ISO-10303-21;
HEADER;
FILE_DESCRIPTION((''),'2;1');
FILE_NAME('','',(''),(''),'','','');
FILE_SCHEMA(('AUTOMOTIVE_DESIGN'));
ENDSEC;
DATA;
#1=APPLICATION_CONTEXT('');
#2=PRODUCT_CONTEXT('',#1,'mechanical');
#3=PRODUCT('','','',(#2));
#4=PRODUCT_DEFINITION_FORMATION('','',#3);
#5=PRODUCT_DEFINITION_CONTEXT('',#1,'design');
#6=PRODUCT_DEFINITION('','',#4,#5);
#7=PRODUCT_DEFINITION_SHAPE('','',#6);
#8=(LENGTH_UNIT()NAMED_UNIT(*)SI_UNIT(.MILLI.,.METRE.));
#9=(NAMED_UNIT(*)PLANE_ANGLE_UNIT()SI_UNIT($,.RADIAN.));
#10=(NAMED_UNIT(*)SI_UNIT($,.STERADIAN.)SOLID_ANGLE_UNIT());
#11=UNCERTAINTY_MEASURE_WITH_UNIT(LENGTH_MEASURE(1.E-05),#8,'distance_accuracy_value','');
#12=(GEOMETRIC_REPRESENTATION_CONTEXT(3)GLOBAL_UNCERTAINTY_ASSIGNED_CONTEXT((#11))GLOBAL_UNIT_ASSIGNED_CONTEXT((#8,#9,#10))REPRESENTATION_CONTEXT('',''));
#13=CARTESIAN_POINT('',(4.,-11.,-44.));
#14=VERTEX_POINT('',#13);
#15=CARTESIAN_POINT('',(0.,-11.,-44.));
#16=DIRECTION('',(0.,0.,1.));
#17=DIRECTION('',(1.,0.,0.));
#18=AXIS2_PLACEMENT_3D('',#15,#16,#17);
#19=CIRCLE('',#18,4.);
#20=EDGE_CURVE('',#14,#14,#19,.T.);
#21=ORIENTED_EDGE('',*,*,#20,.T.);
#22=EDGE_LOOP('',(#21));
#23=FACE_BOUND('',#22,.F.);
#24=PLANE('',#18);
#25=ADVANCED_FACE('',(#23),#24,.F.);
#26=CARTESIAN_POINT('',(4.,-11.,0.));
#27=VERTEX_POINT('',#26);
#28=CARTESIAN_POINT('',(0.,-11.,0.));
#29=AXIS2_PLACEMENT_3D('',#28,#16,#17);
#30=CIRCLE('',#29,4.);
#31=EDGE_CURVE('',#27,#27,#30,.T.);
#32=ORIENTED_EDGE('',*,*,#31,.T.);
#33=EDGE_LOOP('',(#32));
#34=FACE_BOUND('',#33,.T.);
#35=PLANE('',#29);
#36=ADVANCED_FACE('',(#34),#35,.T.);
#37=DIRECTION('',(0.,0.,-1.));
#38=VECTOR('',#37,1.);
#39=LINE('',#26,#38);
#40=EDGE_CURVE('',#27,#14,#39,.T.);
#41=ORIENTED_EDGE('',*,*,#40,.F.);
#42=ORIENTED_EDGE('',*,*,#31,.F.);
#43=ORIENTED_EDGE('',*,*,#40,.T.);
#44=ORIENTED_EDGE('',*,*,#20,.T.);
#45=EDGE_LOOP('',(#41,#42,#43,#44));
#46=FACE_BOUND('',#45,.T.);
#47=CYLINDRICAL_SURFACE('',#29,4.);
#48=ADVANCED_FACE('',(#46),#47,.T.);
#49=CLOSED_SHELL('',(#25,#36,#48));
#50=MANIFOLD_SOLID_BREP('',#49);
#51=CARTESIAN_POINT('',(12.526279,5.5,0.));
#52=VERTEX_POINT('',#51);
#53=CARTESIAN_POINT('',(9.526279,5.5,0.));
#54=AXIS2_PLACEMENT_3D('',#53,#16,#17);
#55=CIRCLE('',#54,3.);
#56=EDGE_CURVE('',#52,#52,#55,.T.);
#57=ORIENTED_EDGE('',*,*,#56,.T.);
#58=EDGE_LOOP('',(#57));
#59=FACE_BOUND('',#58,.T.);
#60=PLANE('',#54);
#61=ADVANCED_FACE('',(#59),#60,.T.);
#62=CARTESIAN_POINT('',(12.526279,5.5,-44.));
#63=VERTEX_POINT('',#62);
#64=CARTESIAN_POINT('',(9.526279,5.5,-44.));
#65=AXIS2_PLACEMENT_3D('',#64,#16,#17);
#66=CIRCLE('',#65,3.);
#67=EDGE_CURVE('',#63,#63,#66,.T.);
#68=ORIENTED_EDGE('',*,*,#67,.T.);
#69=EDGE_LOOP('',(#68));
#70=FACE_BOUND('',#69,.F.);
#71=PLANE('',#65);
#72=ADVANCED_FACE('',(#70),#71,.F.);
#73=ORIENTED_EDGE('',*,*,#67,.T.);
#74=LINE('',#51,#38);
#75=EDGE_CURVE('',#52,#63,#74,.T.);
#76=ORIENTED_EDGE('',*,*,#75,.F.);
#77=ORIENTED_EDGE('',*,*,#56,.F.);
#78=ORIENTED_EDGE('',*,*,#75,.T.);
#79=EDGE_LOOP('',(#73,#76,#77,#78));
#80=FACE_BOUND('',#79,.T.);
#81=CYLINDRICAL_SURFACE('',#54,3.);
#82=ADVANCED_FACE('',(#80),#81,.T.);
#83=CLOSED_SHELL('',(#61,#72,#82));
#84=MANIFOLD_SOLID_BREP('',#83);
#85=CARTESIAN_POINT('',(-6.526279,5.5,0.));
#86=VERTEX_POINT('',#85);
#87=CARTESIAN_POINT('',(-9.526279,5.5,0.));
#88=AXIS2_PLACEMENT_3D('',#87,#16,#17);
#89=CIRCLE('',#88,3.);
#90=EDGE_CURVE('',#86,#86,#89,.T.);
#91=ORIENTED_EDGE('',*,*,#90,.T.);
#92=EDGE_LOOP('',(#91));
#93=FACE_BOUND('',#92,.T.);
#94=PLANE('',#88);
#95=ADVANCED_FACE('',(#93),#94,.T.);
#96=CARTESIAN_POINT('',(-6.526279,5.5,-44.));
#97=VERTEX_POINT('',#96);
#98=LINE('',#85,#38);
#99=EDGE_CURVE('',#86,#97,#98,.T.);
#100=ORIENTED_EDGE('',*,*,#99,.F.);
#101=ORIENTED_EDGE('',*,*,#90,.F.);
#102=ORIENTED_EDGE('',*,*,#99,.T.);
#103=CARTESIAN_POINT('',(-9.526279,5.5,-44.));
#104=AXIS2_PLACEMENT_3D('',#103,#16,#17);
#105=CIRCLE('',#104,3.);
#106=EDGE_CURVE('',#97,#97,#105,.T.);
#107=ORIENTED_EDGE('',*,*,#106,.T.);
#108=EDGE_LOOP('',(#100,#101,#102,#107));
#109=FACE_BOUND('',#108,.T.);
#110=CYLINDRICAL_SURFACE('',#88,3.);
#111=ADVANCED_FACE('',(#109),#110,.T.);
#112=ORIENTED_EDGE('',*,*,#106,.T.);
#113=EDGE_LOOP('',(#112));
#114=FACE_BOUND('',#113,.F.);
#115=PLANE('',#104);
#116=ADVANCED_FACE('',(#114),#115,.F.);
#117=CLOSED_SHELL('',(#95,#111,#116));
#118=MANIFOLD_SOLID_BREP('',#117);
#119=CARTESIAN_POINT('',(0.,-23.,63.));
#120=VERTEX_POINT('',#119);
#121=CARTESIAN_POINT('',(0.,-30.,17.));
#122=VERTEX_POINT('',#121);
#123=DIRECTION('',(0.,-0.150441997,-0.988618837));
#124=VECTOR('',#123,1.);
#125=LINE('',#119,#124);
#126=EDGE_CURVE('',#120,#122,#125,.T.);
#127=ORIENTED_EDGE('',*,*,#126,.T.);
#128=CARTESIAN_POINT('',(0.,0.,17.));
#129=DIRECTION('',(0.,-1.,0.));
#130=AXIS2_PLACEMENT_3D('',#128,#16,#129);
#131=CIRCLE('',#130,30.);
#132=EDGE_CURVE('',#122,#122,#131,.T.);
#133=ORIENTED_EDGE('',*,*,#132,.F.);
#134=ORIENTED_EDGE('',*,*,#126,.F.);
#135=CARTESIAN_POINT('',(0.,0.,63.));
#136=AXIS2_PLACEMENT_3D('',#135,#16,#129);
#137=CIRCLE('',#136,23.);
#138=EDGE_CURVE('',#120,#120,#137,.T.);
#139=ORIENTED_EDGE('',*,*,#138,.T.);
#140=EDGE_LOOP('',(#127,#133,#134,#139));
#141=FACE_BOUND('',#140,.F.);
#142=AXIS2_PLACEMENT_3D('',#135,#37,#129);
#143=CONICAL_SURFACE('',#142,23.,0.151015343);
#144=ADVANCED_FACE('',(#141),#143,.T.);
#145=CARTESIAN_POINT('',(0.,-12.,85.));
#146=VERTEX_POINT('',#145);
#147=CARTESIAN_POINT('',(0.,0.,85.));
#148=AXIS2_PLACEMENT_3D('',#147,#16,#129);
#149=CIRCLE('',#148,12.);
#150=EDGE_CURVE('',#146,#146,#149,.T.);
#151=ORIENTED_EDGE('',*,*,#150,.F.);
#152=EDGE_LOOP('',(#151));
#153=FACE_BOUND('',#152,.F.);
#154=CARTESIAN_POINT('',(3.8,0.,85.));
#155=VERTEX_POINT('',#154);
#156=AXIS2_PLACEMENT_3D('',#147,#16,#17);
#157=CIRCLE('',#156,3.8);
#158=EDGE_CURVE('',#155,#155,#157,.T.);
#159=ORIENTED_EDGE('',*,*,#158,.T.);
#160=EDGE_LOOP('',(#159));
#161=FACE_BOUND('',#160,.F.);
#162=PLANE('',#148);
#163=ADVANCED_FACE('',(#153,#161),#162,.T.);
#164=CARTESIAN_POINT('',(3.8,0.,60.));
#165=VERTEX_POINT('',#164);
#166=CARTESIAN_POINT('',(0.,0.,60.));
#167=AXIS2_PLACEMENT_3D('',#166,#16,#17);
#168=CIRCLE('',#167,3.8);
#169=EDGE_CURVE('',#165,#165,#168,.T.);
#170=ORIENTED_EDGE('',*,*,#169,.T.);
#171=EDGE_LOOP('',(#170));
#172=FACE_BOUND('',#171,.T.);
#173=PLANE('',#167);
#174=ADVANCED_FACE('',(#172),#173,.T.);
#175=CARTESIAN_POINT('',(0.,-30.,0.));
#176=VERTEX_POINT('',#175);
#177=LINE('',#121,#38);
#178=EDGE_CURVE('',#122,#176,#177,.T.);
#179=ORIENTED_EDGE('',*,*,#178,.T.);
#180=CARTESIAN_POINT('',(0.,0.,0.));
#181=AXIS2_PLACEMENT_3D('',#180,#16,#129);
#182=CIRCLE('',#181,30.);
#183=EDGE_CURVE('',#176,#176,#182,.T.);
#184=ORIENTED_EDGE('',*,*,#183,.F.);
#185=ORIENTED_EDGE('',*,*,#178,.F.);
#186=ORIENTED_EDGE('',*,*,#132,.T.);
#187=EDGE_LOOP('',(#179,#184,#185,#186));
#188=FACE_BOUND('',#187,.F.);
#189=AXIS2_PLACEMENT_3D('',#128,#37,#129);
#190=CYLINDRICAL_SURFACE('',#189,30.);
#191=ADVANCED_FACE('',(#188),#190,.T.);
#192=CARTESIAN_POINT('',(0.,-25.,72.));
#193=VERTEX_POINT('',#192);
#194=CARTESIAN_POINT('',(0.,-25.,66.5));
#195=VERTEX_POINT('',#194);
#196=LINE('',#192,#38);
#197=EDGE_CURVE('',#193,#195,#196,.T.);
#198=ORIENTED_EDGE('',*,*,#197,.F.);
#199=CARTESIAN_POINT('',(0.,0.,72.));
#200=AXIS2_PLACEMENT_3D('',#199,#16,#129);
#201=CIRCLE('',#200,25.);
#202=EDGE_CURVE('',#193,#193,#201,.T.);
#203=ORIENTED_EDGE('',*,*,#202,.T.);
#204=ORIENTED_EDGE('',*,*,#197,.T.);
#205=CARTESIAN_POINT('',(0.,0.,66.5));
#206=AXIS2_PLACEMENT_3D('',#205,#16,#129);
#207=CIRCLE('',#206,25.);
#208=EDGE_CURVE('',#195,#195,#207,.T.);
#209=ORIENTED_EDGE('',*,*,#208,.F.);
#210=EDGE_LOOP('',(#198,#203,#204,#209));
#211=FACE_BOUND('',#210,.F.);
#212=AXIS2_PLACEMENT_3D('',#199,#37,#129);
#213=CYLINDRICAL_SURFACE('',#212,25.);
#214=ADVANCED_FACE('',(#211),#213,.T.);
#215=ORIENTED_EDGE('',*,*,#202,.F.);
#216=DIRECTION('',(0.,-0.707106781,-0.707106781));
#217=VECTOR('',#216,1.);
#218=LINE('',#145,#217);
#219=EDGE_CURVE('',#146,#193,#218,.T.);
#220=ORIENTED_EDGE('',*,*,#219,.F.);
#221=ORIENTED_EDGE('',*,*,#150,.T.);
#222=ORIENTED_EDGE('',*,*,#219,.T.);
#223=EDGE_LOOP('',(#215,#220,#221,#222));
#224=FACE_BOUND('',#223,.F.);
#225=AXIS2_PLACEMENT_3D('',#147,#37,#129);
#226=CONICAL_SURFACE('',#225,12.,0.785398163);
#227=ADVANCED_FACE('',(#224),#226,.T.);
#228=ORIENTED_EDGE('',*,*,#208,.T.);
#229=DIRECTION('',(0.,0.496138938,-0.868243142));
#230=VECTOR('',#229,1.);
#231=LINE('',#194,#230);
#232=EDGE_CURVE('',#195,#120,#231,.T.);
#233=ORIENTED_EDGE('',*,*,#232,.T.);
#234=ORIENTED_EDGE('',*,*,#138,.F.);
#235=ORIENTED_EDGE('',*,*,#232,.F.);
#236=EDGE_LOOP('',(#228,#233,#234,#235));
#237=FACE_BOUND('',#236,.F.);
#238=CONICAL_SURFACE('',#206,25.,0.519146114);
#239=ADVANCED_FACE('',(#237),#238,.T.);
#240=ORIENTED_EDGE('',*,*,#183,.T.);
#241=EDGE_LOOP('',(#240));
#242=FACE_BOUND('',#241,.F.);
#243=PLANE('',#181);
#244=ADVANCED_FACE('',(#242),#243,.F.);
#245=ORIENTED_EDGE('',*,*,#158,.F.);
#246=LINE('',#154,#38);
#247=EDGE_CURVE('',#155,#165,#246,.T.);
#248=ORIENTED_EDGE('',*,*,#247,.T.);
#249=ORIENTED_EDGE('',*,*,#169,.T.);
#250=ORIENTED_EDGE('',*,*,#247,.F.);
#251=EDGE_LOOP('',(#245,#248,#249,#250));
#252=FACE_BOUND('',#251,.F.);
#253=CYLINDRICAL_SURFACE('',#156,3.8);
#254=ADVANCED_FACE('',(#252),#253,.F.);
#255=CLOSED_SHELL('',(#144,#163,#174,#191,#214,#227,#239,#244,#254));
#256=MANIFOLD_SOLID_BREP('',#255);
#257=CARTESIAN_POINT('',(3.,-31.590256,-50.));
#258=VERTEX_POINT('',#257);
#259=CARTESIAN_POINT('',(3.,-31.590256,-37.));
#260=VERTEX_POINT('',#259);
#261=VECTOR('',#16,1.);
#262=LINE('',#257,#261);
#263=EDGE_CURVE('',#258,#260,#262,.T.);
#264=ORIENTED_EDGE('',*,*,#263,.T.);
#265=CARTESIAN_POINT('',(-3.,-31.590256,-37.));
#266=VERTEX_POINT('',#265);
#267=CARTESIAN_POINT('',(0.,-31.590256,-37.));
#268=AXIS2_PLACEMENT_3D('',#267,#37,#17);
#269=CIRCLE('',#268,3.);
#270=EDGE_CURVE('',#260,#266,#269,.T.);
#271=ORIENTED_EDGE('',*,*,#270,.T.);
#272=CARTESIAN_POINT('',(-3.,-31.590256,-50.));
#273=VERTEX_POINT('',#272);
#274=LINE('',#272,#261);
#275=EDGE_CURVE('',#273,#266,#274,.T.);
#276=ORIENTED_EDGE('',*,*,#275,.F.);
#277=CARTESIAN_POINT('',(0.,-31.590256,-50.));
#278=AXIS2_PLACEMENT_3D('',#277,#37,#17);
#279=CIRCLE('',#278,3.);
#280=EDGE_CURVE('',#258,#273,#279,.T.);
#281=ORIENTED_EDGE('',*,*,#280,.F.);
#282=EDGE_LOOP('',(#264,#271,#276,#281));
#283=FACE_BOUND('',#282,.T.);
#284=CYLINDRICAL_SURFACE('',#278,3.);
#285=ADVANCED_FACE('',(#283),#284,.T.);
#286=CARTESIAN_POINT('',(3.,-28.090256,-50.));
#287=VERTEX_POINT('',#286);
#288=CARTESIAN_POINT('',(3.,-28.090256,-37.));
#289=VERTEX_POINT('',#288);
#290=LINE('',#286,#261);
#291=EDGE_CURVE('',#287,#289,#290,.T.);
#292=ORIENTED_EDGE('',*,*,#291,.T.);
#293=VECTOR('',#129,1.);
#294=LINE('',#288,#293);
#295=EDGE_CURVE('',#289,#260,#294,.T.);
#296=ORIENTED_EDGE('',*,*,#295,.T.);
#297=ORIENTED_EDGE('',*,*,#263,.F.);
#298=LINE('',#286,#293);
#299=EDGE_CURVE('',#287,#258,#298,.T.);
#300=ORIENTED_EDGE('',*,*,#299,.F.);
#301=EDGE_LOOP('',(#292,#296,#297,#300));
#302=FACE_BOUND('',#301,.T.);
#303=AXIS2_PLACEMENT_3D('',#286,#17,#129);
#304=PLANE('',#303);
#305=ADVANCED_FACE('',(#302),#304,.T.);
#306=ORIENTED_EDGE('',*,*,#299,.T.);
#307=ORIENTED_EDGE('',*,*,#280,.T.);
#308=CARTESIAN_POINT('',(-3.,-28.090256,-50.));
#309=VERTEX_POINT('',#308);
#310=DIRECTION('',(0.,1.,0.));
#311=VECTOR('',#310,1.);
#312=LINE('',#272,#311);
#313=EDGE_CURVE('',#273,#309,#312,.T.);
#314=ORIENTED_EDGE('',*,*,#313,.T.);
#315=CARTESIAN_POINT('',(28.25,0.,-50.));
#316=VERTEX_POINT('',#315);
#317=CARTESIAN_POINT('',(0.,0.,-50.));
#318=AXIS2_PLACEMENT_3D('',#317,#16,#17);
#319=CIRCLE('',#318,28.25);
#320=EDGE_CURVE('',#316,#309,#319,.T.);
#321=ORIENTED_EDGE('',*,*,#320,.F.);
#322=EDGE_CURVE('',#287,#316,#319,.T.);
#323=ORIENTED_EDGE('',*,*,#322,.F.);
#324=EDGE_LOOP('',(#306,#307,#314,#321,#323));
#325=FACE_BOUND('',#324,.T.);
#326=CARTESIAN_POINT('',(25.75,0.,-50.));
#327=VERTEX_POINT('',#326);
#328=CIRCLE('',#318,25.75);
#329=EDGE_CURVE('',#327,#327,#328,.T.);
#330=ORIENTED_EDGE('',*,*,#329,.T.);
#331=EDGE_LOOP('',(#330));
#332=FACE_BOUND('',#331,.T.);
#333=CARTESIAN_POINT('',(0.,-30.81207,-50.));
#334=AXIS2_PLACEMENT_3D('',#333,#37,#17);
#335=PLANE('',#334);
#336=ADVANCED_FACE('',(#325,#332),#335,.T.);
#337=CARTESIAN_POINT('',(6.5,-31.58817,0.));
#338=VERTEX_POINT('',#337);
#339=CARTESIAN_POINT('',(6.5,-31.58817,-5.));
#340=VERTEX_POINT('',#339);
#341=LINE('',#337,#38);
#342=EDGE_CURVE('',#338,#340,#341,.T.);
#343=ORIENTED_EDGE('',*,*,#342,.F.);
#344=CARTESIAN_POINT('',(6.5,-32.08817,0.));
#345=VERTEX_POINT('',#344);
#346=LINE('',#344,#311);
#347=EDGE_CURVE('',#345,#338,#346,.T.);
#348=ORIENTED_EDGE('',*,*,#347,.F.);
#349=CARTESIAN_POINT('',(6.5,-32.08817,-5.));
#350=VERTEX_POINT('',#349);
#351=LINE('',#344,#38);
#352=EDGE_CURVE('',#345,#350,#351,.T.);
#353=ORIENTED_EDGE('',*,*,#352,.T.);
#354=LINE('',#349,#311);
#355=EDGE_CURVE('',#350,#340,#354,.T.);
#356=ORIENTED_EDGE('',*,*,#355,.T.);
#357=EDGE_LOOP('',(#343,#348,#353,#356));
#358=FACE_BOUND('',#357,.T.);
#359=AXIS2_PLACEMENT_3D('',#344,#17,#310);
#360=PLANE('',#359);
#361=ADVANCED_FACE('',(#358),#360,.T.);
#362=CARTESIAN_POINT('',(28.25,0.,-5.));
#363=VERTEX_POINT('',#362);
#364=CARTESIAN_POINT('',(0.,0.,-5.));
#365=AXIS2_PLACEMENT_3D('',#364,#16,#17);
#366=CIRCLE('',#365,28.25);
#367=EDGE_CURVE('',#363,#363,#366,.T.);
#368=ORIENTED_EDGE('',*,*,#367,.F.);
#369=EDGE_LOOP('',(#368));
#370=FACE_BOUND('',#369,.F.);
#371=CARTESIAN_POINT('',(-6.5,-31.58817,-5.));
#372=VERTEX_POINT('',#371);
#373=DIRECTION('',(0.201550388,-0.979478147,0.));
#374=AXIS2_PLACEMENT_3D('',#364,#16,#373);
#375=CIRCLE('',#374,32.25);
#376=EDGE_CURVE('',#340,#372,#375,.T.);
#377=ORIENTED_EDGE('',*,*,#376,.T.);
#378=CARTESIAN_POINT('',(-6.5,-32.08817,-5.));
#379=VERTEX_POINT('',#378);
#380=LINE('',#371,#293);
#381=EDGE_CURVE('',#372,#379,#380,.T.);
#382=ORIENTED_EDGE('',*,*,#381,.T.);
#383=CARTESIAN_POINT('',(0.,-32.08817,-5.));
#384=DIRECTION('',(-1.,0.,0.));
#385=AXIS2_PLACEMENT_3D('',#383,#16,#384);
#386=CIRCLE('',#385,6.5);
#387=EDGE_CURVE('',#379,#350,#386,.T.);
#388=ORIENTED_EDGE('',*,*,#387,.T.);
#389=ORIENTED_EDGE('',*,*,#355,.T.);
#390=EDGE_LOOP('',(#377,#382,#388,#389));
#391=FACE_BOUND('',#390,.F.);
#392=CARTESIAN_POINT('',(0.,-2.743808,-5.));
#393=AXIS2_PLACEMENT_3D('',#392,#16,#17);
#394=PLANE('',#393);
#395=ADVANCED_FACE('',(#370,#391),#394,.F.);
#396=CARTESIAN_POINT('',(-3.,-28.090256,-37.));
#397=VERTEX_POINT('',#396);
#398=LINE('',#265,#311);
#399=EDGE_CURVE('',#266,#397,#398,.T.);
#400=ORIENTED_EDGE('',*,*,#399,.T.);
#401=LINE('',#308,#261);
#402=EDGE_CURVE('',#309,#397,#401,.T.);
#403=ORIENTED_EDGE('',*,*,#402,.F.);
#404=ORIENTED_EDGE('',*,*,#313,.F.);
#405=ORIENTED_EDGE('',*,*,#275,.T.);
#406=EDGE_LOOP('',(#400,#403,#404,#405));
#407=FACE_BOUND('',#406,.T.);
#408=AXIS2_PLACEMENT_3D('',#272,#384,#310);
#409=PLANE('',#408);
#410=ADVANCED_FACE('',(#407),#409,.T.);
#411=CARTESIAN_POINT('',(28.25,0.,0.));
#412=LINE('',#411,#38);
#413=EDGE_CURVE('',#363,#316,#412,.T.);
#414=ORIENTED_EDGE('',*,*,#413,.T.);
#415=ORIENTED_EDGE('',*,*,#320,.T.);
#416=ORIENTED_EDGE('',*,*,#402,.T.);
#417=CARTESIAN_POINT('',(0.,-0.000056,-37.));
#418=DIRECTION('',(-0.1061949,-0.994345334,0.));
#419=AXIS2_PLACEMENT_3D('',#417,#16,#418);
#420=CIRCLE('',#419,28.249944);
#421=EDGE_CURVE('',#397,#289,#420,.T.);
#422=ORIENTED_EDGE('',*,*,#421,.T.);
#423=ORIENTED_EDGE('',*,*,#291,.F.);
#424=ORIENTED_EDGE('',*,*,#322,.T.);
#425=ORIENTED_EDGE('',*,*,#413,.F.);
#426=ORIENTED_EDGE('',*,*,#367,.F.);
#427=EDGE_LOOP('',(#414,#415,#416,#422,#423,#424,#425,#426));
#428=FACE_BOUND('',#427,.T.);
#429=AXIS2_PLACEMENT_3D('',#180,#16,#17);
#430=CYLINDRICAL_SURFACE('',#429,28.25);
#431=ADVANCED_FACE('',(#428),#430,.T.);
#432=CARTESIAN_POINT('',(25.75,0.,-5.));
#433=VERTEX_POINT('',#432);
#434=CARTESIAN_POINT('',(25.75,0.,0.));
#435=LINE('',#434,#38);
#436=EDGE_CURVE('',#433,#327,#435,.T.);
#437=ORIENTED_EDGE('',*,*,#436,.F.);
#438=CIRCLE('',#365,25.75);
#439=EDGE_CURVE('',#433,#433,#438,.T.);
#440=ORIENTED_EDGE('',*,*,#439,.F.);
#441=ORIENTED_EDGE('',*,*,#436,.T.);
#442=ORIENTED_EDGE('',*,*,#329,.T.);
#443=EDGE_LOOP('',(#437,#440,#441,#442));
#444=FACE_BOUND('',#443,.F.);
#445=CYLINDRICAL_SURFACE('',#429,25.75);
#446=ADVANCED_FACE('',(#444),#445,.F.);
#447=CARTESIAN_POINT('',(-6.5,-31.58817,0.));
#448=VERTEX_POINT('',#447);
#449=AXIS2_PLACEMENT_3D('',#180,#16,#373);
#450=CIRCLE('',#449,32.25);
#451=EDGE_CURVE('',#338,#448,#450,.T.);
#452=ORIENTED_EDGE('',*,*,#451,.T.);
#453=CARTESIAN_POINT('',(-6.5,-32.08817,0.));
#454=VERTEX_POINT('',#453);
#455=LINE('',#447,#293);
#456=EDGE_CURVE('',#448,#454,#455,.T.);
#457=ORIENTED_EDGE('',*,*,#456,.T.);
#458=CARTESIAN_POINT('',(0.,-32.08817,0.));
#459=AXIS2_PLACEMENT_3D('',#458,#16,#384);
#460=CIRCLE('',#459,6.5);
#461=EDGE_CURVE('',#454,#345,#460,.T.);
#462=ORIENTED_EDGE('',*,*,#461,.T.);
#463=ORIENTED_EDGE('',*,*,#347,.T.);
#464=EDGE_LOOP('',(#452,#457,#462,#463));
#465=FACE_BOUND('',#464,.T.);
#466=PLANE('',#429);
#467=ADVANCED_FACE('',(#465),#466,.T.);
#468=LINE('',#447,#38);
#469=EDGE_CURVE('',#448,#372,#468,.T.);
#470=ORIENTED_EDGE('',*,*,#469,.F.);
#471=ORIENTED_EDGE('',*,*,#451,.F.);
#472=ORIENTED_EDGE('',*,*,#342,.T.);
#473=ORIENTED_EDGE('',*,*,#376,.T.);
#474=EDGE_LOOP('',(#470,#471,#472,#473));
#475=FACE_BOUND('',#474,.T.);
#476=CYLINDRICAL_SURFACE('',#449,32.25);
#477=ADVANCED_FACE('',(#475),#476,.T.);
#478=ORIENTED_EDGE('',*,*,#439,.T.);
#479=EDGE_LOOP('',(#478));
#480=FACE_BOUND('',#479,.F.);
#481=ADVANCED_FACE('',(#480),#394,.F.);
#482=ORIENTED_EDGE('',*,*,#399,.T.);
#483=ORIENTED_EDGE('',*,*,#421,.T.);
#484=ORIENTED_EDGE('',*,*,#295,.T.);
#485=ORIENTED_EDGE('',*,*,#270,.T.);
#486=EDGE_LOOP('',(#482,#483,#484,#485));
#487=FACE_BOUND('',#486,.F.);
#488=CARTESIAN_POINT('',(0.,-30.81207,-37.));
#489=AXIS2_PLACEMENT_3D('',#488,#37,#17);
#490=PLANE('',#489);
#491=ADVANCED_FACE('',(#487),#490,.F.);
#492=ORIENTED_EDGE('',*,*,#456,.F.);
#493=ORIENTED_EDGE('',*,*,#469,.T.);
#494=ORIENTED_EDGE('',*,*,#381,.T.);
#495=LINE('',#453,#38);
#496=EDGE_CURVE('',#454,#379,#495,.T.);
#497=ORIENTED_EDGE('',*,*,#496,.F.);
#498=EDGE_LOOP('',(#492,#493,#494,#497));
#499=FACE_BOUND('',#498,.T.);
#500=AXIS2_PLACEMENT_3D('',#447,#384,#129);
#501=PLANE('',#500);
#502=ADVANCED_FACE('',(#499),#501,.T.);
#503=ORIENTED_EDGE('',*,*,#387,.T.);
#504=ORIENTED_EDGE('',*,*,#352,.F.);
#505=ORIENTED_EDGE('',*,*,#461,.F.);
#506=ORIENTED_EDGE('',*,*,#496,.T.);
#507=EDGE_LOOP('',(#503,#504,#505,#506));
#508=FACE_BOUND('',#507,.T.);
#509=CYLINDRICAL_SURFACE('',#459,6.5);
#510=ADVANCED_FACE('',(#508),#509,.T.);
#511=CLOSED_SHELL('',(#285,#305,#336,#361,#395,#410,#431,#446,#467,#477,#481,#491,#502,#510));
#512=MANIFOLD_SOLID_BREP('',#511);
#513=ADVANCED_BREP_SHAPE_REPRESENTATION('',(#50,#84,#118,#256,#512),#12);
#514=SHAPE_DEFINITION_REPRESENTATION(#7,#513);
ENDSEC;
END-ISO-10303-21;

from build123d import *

# Parameters (mm, degrees)
F1_DEPTH  = 5
F2_R      = 28.25
F2_R_2    = 25.75
F3_DEPTH  = 50
F5_DEPTH  = 13
F6_R      = 4
F6_R_2    = 3
F7_DEPTH  = 44
F10_R     = 3.8
F11_DEPTH = 25


with BuildPart() as f1:
    # F0 (on Top) → F1 (new body)
    with BuildSketch(Plane.XY):
        with BuildLine():
            Line((6.5, -32.08817), (6.5, -31.58817))
            ThreePointArc((6.5, -31.58817), (0, 32.25), (-6.5, -31.58817))
            Line((-6.5, -31.58817), (-6.5, -32.08817))
            ThreePointArc((-6.5, -32.08817), (0, -38.58817), (6.5, -32.08817))
        make_face()
    extrude(amount=-F1_DEPTH)

    # F2 (on face) → F3 (join)
    with BuildSketch(Plane.XY):
        Circle(F2_R)
        Circle(F2_R_2, mode=Mode.SUBTRACT)
    extrude(amount=-F3_DEPTH)

    # F4 (on face) → F5 (join)
    with BuildSketch(Plane(origin=(0, 0, -50), x_dir=(1, 0, 0), z_dir=(0, 0, -1))):
        with BuildLine():
            Line((-3, 31.590256), (-3, 28.090256))
            ThreePointArc((-3, 28.090256), (0, 28.25), (3, 28.090256))
            Line((3, 28.090256), (3, 31.590256))
            ThreePointArc((3, 31.590256), (0, 34.590256), (-3, 31.590256))
        make_face()
    extrude(amount=-F5_DEPTH)


with BuildPart() as f7:
    # F6 (on face) → F7 (new body)
    with BuildSketch(Plane.XY):
        with Locations((0, -11)):
            Circle(F6_R)
        with Locations((9.526279, 5.5)):
            Circle(F6_R_2)
        with Locations((-9.526279, 5.5)):
            Circle(F6_R_2)
    extrude(amount=-F7_DEPTH)


with BuildPart() as f9:
    # F8 (on Right) → F9 (revolve)
    with BuildSketch(Plane.YZ):
        Polygon((-30, 0), (0, 0), (0, 85), (-12, 85), (-25, 72), (-25, 66.5), (-23, 63), (-30, 17), align=None)
    revolve(axis=Axis((0, 0, 72.046123), (0, 0, 1)))

    # F10 (on face) → F11 (cut)
    with BuildSketch(Plane.XY.offset(85)):
        Circle(F10_R)
    extrude(amount=-F11_DEPTH, mode=Mode.SUBTRACT)


solid = Compound([f1.part, f7.part, f9.part])
